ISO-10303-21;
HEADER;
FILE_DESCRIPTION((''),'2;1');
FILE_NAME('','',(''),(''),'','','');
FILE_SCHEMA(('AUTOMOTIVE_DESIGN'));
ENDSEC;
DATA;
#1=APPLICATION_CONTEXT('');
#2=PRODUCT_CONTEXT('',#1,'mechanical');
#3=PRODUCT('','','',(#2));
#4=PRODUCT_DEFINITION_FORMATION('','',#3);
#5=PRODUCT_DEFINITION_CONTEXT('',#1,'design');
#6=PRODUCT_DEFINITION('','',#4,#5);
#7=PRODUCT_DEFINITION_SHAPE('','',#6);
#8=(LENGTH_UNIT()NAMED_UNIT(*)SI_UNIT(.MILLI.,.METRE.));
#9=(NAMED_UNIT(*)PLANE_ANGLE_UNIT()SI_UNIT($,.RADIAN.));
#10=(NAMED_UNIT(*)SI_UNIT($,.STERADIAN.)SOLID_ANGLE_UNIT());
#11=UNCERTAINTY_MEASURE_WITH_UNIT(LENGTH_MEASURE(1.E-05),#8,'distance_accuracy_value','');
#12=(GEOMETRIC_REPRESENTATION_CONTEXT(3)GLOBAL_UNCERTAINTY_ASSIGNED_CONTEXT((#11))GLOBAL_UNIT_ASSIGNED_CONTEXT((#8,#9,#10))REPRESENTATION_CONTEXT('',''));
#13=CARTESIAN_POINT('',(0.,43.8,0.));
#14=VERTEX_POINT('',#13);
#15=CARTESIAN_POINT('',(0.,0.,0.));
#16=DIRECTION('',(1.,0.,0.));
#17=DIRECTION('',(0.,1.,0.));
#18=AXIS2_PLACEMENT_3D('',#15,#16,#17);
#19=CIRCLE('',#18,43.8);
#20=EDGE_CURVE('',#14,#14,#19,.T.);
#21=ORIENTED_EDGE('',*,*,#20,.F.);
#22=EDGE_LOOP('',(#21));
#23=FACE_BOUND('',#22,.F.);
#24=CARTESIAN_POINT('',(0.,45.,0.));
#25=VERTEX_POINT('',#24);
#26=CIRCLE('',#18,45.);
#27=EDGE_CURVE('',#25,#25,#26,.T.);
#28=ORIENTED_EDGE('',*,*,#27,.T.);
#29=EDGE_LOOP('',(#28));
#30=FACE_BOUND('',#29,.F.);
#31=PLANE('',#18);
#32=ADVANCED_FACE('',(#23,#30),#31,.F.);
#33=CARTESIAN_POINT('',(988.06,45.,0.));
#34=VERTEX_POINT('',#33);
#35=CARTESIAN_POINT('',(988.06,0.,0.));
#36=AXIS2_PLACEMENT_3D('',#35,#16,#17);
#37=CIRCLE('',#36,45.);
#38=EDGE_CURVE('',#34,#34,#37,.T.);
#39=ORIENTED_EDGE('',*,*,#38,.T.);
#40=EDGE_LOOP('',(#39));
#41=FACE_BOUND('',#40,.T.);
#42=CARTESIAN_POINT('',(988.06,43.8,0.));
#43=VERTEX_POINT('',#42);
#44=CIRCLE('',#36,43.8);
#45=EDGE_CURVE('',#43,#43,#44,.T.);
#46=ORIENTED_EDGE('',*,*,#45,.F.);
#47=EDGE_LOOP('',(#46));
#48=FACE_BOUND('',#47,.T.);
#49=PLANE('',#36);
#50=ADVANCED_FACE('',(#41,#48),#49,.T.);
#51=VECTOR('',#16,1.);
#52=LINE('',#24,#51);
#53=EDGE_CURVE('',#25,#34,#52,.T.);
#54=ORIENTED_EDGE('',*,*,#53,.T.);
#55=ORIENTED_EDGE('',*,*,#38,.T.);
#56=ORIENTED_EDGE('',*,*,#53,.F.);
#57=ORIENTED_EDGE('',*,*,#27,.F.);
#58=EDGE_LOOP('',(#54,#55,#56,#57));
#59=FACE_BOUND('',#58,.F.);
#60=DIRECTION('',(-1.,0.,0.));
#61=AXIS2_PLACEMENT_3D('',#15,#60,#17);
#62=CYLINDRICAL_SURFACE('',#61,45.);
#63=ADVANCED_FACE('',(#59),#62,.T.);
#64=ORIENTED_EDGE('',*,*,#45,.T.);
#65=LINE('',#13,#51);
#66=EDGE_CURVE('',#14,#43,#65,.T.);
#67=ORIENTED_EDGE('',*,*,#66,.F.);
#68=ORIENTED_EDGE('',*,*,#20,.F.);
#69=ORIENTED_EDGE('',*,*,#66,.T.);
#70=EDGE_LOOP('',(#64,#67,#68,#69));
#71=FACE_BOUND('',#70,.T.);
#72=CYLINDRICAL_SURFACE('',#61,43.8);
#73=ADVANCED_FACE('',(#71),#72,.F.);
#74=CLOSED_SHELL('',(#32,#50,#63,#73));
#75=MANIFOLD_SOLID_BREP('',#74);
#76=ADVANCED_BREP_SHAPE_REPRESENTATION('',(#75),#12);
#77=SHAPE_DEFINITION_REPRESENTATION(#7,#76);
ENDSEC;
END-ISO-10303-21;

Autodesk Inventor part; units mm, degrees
ref_plane "YZ Plane" through (0, 0, 0) normal (1, 0, 0) x (0, 1, 0)
ref_plane "XZ Plane" through (0, 0, 0) normal (0, 1, 0) x (-1, 0, 0)
ref_plane "XY Plane" through (0, 0, 0) normal (0, 0, 1) x (1, 0, 0)
sketch "Sketch1" plane through (0, 0, 0) normal (1, 0, 0) x (0, 1, 0)
  circle A0 centre (0, 0) radius 45
  circle A1 centre (0, 0) radius 43.8
  dimension "d0" = 90
  dimension "d1" = 1.2
extrude "Extrusion1" add sketch "Sketch1" along normal blind 988.06
equation "\"d0\" = OD"
equation "\"d1\" = t"
equation "\"d2\" = L"
equation "\"OD\" = 90"
equation "\"t\" = 1.2"
equation "\"L\" = PL"
equation "\"ID\" = 87.6"
equation "\"PL\" = 988.06"
properties part number "ISO 4065 Pipe DN90x1.2xS40 - 1000.76000000" material "PVC-Piping"
